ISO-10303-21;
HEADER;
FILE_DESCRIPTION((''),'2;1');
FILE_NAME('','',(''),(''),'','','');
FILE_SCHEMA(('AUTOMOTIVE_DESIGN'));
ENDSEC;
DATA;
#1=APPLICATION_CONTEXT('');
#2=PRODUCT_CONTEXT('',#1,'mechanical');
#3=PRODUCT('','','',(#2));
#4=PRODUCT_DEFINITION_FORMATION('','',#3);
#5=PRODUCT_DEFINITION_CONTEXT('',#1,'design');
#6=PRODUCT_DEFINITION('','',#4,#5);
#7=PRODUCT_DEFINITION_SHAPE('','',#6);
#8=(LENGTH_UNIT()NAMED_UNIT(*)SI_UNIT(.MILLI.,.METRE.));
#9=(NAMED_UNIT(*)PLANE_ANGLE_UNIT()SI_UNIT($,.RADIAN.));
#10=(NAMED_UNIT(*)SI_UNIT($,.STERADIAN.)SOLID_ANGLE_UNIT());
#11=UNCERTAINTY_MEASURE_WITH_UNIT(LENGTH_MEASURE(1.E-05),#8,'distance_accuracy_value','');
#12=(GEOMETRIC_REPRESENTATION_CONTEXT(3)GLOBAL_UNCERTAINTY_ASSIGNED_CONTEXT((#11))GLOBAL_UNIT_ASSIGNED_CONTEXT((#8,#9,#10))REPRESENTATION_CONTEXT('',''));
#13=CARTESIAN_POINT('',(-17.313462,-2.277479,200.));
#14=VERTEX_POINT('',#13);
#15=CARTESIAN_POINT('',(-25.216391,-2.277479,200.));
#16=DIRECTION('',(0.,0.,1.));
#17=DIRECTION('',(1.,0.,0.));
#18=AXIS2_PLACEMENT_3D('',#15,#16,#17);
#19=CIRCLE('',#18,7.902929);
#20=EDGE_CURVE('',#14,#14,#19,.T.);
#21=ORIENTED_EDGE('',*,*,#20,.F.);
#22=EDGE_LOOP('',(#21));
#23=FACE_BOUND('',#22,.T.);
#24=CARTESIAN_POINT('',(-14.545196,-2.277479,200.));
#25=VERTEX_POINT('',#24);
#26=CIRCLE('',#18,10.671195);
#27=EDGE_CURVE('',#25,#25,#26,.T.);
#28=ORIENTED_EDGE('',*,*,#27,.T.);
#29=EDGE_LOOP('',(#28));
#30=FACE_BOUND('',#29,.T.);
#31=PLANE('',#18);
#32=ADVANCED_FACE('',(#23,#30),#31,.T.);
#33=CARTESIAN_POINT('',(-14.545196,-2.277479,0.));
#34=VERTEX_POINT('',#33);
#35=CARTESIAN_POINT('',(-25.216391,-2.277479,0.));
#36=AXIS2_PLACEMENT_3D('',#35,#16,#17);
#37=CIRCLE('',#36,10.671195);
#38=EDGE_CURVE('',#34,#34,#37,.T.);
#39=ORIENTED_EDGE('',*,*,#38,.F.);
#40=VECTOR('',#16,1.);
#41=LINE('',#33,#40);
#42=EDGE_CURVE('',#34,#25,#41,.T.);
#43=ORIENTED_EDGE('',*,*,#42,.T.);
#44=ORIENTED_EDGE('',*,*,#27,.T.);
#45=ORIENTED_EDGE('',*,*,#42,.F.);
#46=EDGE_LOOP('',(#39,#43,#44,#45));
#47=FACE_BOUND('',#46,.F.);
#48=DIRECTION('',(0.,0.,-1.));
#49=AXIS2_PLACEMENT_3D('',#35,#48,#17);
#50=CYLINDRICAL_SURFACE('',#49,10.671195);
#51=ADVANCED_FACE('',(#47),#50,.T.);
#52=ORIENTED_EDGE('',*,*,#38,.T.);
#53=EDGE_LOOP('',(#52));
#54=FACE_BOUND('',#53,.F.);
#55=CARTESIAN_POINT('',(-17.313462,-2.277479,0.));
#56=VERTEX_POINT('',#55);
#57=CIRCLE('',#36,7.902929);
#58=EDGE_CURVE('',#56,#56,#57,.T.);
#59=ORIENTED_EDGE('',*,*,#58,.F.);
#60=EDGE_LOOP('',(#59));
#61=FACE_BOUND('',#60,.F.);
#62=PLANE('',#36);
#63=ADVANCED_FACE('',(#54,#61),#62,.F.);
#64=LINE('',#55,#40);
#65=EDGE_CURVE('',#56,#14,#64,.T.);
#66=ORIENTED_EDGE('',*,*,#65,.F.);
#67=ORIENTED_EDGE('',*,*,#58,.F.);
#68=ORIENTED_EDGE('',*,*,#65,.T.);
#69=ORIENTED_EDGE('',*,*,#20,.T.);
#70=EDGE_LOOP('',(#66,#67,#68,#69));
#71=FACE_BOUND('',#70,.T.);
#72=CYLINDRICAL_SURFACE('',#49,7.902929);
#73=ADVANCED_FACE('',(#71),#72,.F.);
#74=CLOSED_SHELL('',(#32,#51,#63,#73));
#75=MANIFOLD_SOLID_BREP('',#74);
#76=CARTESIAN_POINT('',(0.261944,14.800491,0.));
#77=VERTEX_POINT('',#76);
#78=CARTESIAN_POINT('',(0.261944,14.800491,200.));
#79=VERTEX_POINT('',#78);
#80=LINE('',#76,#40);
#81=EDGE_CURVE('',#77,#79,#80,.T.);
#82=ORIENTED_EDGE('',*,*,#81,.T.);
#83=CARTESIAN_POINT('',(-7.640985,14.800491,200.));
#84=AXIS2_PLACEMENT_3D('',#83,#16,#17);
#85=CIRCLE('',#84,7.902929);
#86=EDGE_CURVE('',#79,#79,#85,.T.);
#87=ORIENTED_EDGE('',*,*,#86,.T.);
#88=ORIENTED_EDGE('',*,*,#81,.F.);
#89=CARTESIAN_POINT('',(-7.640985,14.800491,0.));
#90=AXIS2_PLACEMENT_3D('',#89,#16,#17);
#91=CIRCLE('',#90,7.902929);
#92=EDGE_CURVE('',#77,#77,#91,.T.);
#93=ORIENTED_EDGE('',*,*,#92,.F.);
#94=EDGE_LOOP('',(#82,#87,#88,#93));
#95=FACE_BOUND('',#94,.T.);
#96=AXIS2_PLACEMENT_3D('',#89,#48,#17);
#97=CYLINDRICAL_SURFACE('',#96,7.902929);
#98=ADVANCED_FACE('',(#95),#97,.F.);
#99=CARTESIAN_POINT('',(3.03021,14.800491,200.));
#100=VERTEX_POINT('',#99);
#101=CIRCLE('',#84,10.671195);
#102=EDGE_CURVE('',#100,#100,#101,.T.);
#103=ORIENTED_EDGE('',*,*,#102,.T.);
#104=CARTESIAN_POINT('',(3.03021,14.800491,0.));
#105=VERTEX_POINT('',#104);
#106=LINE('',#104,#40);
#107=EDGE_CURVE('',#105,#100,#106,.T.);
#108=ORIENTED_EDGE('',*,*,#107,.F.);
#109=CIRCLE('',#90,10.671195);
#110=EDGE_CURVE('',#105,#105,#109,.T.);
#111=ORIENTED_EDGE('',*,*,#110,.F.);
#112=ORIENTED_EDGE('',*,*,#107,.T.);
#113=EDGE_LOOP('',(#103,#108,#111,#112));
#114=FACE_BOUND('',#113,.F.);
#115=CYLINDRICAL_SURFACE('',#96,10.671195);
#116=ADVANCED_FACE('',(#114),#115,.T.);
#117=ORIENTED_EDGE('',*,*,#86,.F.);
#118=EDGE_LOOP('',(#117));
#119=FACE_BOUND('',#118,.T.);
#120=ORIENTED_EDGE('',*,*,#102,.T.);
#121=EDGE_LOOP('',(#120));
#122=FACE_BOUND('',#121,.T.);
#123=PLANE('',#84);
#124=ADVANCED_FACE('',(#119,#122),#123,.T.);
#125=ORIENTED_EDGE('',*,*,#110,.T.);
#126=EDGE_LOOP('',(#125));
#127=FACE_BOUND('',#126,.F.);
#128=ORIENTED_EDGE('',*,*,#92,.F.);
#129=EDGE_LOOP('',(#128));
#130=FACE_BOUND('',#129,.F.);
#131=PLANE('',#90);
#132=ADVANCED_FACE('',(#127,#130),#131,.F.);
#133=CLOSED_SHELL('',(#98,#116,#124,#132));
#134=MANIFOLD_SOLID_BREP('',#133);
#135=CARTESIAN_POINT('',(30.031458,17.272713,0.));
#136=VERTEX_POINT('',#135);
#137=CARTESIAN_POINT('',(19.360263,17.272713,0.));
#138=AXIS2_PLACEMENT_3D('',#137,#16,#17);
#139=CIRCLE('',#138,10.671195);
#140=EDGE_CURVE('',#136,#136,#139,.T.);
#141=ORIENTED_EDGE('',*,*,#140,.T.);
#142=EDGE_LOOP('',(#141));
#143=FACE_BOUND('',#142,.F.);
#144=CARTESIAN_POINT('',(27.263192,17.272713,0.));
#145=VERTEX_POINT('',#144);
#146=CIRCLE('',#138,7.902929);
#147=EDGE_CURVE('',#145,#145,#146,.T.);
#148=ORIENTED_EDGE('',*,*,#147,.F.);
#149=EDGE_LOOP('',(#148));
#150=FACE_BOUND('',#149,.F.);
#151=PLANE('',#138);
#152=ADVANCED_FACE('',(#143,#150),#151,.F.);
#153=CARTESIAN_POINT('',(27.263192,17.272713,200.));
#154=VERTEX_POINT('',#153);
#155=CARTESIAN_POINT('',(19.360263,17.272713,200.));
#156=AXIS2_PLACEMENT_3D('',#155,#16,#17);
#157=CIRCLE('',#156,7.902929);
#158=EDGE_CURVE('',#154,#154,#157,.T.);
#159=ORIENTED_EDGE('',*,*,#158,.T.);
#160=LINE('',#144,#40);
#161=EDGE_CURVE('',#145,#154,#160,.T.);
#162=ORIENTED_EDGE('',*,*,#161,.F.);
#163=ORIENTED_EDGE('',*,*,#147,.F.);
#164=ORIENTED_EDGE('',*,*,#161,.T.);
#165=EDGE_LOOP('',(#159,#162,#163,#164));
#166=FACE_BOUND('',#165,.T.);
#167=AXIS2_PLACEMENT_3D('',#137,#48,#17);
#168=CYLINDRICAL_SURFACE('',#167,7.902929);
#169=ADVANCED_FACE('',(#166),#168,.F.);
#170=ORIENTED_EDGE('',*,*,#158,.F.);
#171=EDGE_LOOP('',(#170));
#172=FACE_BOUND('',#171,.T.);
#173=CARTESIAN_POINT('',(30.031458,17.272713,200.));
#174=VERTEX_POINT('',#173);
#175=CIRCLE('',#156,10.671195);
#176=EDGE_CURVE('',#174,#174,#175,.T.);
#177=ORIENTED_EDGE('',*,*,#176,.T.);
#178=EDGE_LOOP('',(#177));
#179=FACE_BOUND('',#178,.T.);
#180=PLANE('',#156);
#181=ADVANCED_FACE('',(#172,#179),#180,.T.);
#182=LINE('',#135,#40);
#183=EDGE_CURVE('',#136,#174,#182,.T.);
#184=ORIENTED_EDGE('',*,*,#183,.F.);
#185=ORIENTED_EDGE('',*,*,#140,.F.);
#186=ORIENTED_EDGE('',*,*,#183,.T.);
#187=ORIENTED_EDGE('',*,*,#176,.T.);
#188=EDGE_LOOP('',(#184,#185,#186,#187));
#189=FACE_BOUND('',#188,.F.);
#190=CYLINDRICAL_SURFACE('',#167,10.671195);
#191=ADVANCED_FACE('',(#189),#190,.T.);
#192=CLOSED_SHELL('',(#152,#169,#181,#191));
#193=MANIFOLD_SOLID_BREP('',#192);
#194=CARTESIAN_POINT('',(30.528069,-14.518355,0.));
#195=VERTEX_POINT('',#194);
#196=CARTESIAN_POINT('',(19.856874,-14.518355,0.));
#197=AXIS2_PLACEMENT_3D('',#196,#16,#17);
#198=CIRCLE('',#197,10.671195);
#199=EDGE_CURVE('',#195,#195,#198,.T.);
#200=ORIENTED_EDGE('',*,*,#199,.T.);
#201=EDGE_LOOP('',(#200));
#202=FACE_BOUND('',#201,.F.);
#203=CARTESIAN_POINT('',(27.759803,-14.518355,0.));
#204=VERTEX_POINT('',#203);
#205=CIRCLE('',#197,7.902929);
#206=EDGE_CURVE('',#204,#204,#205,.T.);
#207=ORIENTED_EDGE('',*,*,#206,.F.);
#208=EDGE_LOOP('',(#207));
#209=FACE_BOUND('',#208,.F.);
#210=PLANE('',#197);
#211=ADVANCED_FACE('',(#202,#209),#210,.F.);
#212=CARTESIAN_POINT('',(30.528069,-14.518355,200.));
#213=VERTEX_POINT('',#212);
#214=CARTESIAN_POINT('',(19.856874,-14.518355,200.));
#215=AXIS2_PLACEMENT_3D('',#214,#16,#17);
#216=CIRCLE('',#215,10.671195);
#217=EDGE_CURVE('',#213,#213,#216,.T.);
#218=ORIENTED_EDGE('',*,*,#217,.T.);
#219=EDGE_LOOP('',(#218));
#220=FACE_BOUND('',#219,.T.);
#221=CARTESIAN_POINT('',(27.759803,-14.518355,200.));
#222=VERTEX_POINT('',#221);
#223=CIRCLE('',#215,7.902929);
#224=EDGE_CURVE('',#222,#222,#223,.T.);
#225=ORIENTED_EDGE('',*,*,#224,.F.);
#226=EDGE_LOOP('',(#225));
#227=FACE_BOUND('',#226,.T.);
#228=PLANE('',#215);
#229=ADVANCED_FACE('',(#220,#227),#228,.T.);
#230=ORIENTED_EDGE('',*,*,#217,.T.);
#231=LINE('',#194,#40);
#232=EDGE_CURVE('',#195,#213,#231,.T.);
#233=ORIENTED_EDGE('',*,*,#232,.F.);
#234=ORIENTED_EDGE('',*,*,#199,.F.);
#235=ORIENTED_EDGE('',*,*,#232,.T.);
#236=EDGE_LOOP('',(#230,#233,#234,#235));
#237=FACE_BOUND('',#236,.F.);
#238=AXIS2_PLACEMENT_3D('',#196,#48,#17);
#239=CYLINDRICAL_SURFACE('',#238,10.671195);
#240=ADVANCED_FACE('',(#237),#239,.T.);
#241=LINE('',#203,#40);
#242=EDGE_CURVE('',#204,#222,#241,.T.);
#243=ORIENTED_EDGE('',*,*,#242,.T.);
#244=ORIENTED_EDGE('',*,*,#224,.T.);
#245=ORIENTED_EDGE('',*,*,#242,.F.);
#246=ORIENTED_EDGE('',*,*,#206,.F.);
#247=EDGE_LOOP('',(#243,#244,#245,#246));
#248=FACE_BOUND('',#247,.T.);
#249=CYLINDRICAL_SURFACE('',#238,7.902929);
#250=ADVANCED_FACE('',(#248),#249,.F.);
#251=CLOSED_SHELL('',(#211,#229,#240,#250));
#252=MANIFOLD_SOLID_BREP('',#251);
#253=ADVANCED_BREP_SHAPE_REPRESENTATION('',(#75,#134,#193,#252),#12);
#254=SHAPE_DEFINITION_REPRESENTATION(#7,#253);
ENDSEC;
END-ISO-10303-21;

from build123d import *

# Parameters (mm, degrees)
F0_R     = 10.671195
F0_R_2   = 7.902929
F1_DEPTH = 200
F2_R     = 10.671195
F2_R_2   = 7.902929
F3_DEPTH = 200
F4_DEPTH = 200
F5_DEPTH = 200


with BuildPart() as f1:
    # F0 (on Top) → F1 (new body)
    with BuildSketch(Plane.XY):
        with Locations((19.360263, 17.272713)):
            Circle(F0_R)
        with Locations((19.360263, 17.272713)):
            Circle(F0_R_2, mode=Mode.SUBTRACT)
    extrude(amount=F1_DEPTH)


with BuildPart() as f3:
    # F2 (on Top) → F3 (new body)
    with BuildSketch(Plane.XY):
        with Locations((19.856874, -14.518355)):
            Circle(F2_R)
        with Locations((19.856874, -14.518355)):
            Circle(F2_R_2, mode=Mode.SUBTRACT)
    extrude(amount=F3_DEPTH)


with BuildPart() as f4:
    # F2 (on Top) → F4 (new body)
    with BuildSketch(Plane.XY):
        with Locations((-25.216391, -2.277479)):
            Circle(F2_R)
        with Locations((-25.216391, -2.277479)):
            Circle(F2_R_2, mode=Mode.SUBTRACT)
    extrude(amount=F4_DEPTH)


with BuildPart() as f5:
    # F2 (on Top) → F5 (new body)
    with BuildSketch(Plane.XY):
        with Locations((-7.640985, 14.800491)):
            Circle(F2_R)
        with Locations((-7.640985, 14.800491)):
            Circle(F2_R_2, mode=Mode.SUBTRACT)
    extrude(amount=F5_DEPTH)


solid = Compound([f1.part, f3.part, f4.part, f5.part])
